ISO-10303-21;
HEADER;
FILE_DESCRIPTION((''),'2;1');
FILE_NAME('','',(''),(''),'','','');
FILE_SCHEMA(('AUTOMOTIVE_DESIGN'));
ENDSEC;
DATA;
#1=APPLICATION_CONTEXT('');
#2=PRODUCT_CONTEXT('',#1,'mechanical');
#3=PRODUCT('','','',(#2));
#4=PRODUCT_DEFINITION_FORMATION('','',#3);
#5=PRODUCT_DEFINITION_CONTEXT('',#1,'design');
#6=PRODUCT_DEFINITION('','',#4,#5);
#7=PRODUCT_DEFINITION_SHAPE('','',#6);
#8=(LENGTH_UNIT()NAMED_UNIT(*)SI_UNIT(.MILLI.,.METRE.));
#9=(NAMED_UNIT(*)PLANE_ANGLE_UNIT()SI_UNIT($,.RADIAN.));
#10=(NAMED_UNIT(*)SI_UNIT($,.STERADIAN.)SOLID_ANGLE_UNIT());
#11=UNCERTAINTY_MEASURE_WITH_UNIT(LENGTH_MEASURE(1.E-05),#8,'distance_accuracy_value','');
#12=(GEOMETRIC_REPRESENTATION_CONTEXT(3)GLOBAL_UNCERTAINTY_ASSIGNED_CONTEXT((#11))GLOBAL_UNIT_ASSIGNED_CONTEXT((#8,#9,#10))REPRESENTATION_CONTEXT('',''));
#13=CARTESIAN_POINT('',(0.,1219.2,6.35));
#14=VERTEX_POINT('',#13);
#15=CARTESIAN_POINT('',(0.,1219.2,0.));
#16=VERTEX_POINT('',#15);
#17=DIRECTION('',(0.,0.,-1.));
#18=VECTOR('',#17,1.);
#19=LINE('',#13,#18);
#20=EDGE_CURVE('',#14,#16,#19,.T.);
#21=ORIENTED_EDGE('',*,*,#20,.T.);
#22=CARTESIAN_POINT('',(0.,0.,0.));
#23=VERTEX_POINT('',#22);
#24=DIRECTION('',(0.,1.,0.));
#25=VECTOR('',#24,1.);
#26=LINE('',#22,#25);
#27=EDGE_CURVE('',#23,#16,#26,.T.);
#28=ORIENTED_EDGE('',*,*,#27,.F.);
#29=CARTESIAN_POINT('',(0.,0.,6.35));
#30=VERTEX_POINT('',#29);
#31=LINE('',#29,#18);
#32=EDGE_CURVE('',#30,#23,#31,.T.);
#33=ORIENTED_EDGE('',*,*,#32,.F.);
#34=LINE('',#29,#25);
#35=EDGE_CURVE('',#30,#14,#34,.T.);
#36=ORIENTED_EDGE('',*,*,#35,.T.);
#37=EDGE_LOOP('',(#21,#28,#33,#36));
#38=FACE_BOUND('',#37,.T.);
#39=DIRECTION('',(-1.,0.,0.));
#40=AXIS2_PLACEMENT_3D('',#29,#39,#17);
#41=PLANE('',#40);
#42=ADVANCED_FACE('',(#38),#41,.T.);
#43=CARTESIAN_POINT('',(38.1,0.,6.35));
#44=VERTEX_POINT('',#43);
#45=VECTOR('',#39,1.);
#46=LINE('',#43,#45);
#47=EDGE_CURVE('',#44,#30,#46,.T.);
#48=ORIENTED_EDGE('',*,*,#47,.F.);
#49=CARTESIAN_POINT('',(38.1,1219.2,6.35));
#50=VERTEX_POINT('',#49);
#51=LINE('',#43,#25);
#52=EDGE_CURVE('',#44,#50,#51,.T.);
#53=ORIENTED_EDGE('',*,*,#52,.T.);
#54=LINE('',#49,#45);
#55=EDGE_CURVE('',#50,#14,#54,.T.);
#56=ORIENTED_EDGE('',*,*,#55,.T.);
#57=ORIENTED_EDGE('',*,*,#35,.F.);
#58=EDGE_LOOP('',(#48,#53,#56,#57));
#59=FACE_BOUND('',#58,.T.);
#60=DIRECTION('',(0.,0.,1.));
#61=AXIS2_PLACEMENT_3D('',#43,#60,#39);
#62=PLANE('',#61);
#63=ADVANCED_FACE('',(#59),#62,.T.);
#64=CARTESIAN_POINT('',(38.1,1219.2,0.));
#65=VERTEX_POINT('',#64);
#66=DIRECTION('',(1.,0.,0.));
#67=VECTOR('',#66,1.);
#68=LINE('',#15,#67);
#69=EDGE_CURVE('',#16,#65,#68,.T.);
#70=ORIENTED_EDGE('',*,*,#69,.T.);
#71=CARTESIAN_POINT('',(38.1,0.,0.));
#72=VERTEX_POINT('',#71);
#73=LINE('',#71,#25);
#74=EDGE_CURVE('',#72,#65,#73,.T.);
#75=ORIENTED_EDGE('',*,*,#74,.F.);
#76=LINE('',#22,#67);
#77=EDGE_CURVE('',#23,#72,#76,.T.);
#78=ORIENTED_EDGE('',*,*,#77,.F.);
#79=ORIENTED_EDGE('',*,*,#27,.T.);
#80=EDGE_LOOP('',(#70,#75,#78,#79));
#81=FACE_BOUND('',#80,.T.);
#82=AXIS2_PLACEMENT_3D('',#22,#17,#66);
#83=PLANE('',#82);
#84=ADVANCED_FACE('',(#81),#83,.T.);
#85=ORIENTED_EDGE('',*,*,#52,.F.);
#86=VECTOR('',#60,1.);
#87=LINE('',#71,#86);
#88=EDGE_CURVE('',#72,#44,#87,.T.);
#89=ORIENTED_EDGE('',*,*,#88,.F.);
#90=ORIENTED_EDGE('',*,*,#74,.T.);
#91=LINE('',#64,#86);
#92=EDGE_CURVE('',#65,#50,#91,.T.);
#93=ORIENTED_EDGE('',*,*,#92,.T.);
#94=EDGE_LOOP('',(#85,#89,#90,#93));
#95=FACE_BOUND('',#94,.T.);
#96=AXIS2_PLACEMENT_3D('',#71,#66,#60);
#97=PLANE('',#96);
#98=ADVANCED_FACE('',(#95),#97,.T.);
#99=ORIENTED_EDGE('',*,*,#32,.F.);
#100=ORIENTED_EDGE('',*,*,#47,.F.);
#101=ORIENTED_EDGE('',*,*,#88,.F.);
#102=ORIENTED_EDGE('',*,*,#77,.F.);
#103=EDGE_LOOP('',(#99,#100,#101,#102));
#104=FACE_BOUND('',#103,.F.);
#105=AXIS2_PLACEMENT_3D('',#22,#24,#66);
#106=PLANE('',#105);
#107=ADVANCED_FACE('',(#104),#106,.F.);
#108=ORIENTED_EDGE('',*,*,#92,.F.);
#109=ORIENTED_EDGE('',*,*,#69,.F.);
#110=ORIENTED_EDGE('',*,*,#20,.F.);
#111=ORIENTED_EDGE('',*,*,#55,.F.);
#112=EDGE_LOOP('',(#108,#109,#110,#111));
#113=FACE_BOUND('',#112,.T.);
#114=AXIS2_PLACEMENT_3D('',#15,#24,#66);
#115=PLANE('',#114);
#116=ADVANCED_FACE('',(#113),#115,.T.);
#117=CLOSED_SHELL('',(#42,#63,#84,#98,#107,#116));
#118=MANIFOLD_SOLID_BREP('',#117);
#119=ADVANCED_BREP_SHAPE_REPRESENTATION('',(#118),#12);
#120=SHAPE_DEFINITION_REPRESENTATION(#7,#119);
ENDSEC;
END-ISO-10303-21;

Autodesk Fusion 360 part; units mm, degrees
sketch "Sketch1" plane through (0, 0, 0) normal (0, 1, 0) x (1, 0, 0)
  line L0 (0, 0) -> (38.1, 0)
  line L1 (38.1, 0) -> (38.1, -6.35)
  line L2 (38.1, -6.35) -> (0, -6.35)
  line L3 (0, -6.35) -> (0, 0)
  dimension "d1" = 38.1
  dimension "d2" = 6.35
extrude "Extrude1" add sketch "Sketch1" along normal blind 1219.2
equation "d3 = 48\""
